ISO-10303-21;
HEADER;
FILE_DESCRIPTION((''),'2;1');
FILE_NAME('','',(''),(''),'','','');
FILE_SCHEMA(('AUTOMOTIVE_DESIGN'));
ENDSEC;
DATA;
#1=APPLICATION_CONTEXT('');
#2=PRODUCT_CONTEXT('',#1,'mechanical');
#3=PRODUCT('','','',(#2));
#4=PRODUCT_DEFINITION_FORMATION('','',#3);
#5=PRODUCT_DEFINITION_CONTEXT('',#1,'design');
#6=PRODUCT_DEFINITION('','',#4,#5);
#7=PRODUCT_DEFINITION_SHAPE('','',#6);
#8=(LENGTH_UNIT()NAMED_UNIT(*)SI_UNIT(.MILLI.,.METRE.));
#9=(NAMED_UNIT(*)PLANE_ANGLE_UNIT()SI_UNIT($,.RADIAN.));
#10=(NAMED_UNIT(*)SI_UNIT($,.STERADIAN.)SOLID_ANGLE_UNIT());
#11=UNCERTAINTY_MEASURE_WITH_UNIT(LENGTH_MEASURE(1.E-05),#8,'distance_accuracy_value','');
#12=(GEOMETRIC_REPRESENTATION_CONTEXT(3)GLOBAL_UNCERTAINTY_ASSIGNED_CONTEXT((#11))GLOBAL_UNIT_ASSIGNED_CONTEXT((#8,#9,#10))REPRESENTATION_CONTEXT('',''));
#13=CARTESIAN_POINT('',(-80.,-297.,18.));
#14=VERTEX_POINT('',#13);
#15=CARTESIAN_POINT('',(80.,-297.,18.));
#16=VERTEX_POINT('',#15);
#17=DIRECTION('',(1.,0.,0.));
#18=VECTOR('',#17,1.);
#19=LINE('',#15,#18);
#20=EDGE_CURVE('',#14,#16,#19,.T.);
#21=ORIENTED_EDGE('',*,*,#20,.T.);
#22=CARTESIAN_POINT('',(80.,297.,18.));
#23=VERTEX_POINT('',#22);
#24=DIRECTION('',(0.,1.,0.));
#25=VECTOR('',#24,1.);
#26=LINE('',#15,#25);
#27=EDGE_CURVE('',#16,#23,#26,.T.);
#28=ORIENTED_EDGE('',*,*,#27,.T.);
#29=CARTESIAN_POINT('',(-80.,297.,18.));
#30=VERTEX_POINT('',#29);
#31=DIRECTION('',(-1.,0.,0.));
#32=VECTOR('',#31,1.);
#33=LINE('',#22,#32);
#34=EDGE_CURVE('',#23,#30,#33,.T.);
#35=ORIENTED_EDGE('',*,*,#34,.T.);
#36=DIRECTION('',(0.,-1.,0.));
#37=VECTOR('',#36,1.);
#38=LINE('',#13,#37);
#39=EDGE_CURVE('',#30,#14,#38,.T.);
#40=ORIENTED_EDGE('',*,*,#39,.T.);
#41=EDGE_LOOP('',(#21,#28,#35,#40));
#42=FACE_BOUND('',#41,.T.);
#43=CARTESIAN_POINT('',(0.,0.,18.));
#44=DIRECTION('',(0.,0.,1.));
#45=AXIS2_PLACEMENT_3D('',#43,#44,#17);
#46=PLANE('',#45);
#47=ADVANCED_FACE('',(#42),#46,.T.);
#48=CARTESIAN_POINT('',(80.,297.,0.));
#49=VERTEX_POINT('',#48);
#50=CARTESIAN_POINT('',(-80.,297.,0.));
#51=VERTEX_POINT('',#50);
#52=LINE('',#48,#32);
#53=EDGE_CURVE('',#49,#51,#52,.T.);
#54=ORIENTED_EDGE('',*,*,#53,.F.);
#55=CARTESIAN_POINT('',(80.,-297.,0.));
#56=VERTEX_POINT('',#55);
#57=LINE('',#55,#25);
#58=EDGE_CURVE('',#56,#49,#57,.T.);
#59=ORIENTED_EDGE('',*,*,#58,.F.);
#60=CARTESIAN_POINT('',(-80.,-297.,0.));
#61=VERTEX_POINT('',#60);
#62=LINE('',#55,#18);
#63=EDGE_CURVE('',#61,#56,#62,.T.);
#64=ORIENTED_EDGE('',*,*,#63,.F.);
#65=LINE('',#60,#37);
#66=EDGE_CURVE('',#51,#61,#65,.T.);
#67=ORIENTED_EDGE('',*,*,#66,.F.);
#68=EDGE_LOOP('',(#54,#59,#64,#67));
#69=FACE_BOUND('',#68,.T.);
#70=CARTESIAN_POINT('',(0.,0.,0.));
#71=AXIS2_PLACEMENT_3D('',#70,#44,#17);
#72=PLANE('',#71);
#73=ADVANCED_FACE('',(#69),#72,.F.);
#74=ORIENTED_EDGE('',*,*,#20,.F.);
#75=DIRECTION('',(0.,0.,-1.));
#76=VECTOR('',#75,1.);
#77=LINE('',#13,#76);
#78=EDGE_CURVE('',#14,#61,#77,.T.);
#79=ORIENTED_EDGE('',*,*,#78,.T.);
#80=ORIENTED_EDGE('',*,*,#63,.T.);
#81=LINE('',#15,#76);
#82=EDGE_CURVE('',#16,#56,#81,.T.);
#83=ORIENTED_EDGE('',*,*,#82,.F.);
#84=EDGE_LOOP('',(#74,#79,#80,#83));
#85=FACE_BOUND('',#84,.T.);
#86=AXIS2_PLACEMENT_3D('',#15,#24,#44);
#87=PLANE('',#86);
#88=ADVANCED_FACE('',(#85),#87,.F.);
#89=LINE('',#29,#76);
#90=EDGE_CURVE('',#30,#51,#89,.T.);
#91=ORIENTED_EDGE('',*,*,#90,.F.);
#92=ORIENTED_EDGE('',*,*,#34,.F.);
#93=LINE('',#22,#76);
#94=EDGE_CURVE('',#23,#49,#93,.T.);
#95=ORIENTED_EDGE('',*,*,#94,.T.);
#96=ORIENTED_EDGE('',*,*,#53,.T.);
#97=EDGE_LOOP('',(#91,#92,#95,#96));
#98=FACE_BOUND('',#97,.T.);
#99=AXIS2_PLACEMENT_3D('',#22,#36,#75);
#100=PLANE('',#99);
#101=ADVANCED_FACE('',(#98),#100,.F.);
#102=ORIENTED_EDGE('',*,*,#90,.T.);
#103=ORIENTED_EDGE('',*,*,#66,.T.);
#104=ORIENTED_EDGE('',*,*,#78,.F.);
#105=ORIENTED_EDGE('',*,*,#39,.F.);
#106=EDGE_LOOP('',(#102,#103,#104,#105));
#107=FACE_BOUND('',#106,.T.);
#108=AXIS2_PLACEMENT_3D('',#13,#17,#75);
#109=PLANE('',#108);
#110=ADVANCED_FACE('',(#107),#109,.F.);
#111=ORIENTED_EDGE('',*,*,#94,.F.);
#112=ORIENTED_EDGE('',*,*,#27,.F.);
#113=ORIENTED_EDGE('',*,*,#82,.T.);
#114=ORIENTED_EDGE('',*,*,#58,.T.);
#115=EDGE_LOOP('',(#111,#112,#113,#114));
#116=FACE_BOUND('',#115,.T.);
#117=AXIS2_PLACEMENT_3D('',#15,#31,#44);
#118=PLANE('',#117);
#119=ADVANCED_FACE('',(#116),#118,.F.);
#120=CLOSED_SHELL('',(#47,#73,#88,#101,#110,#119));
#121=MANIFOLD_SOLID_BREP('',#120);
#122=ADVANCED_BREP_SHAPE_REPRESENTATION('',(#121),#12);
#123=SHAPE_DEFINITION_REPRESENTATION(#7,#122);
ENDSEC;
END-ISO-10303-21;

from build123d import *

# Parameters (mm, degrees)
SKETCH1_W           = 160
SKETCH1_H           = 594
BOSS_EXTRUDE1_DEPTH = 18


with BuildPart() as part:
    # Sketch1 → Boss-Extrude1 (new body)
    with BuildSketch(Plane.XY):
        Rectangle(SKETCH1_W, SKETCH1_H)
    extrude(amount=BOSS_EXTRUDE1_DEPTH)


solid = part.part
